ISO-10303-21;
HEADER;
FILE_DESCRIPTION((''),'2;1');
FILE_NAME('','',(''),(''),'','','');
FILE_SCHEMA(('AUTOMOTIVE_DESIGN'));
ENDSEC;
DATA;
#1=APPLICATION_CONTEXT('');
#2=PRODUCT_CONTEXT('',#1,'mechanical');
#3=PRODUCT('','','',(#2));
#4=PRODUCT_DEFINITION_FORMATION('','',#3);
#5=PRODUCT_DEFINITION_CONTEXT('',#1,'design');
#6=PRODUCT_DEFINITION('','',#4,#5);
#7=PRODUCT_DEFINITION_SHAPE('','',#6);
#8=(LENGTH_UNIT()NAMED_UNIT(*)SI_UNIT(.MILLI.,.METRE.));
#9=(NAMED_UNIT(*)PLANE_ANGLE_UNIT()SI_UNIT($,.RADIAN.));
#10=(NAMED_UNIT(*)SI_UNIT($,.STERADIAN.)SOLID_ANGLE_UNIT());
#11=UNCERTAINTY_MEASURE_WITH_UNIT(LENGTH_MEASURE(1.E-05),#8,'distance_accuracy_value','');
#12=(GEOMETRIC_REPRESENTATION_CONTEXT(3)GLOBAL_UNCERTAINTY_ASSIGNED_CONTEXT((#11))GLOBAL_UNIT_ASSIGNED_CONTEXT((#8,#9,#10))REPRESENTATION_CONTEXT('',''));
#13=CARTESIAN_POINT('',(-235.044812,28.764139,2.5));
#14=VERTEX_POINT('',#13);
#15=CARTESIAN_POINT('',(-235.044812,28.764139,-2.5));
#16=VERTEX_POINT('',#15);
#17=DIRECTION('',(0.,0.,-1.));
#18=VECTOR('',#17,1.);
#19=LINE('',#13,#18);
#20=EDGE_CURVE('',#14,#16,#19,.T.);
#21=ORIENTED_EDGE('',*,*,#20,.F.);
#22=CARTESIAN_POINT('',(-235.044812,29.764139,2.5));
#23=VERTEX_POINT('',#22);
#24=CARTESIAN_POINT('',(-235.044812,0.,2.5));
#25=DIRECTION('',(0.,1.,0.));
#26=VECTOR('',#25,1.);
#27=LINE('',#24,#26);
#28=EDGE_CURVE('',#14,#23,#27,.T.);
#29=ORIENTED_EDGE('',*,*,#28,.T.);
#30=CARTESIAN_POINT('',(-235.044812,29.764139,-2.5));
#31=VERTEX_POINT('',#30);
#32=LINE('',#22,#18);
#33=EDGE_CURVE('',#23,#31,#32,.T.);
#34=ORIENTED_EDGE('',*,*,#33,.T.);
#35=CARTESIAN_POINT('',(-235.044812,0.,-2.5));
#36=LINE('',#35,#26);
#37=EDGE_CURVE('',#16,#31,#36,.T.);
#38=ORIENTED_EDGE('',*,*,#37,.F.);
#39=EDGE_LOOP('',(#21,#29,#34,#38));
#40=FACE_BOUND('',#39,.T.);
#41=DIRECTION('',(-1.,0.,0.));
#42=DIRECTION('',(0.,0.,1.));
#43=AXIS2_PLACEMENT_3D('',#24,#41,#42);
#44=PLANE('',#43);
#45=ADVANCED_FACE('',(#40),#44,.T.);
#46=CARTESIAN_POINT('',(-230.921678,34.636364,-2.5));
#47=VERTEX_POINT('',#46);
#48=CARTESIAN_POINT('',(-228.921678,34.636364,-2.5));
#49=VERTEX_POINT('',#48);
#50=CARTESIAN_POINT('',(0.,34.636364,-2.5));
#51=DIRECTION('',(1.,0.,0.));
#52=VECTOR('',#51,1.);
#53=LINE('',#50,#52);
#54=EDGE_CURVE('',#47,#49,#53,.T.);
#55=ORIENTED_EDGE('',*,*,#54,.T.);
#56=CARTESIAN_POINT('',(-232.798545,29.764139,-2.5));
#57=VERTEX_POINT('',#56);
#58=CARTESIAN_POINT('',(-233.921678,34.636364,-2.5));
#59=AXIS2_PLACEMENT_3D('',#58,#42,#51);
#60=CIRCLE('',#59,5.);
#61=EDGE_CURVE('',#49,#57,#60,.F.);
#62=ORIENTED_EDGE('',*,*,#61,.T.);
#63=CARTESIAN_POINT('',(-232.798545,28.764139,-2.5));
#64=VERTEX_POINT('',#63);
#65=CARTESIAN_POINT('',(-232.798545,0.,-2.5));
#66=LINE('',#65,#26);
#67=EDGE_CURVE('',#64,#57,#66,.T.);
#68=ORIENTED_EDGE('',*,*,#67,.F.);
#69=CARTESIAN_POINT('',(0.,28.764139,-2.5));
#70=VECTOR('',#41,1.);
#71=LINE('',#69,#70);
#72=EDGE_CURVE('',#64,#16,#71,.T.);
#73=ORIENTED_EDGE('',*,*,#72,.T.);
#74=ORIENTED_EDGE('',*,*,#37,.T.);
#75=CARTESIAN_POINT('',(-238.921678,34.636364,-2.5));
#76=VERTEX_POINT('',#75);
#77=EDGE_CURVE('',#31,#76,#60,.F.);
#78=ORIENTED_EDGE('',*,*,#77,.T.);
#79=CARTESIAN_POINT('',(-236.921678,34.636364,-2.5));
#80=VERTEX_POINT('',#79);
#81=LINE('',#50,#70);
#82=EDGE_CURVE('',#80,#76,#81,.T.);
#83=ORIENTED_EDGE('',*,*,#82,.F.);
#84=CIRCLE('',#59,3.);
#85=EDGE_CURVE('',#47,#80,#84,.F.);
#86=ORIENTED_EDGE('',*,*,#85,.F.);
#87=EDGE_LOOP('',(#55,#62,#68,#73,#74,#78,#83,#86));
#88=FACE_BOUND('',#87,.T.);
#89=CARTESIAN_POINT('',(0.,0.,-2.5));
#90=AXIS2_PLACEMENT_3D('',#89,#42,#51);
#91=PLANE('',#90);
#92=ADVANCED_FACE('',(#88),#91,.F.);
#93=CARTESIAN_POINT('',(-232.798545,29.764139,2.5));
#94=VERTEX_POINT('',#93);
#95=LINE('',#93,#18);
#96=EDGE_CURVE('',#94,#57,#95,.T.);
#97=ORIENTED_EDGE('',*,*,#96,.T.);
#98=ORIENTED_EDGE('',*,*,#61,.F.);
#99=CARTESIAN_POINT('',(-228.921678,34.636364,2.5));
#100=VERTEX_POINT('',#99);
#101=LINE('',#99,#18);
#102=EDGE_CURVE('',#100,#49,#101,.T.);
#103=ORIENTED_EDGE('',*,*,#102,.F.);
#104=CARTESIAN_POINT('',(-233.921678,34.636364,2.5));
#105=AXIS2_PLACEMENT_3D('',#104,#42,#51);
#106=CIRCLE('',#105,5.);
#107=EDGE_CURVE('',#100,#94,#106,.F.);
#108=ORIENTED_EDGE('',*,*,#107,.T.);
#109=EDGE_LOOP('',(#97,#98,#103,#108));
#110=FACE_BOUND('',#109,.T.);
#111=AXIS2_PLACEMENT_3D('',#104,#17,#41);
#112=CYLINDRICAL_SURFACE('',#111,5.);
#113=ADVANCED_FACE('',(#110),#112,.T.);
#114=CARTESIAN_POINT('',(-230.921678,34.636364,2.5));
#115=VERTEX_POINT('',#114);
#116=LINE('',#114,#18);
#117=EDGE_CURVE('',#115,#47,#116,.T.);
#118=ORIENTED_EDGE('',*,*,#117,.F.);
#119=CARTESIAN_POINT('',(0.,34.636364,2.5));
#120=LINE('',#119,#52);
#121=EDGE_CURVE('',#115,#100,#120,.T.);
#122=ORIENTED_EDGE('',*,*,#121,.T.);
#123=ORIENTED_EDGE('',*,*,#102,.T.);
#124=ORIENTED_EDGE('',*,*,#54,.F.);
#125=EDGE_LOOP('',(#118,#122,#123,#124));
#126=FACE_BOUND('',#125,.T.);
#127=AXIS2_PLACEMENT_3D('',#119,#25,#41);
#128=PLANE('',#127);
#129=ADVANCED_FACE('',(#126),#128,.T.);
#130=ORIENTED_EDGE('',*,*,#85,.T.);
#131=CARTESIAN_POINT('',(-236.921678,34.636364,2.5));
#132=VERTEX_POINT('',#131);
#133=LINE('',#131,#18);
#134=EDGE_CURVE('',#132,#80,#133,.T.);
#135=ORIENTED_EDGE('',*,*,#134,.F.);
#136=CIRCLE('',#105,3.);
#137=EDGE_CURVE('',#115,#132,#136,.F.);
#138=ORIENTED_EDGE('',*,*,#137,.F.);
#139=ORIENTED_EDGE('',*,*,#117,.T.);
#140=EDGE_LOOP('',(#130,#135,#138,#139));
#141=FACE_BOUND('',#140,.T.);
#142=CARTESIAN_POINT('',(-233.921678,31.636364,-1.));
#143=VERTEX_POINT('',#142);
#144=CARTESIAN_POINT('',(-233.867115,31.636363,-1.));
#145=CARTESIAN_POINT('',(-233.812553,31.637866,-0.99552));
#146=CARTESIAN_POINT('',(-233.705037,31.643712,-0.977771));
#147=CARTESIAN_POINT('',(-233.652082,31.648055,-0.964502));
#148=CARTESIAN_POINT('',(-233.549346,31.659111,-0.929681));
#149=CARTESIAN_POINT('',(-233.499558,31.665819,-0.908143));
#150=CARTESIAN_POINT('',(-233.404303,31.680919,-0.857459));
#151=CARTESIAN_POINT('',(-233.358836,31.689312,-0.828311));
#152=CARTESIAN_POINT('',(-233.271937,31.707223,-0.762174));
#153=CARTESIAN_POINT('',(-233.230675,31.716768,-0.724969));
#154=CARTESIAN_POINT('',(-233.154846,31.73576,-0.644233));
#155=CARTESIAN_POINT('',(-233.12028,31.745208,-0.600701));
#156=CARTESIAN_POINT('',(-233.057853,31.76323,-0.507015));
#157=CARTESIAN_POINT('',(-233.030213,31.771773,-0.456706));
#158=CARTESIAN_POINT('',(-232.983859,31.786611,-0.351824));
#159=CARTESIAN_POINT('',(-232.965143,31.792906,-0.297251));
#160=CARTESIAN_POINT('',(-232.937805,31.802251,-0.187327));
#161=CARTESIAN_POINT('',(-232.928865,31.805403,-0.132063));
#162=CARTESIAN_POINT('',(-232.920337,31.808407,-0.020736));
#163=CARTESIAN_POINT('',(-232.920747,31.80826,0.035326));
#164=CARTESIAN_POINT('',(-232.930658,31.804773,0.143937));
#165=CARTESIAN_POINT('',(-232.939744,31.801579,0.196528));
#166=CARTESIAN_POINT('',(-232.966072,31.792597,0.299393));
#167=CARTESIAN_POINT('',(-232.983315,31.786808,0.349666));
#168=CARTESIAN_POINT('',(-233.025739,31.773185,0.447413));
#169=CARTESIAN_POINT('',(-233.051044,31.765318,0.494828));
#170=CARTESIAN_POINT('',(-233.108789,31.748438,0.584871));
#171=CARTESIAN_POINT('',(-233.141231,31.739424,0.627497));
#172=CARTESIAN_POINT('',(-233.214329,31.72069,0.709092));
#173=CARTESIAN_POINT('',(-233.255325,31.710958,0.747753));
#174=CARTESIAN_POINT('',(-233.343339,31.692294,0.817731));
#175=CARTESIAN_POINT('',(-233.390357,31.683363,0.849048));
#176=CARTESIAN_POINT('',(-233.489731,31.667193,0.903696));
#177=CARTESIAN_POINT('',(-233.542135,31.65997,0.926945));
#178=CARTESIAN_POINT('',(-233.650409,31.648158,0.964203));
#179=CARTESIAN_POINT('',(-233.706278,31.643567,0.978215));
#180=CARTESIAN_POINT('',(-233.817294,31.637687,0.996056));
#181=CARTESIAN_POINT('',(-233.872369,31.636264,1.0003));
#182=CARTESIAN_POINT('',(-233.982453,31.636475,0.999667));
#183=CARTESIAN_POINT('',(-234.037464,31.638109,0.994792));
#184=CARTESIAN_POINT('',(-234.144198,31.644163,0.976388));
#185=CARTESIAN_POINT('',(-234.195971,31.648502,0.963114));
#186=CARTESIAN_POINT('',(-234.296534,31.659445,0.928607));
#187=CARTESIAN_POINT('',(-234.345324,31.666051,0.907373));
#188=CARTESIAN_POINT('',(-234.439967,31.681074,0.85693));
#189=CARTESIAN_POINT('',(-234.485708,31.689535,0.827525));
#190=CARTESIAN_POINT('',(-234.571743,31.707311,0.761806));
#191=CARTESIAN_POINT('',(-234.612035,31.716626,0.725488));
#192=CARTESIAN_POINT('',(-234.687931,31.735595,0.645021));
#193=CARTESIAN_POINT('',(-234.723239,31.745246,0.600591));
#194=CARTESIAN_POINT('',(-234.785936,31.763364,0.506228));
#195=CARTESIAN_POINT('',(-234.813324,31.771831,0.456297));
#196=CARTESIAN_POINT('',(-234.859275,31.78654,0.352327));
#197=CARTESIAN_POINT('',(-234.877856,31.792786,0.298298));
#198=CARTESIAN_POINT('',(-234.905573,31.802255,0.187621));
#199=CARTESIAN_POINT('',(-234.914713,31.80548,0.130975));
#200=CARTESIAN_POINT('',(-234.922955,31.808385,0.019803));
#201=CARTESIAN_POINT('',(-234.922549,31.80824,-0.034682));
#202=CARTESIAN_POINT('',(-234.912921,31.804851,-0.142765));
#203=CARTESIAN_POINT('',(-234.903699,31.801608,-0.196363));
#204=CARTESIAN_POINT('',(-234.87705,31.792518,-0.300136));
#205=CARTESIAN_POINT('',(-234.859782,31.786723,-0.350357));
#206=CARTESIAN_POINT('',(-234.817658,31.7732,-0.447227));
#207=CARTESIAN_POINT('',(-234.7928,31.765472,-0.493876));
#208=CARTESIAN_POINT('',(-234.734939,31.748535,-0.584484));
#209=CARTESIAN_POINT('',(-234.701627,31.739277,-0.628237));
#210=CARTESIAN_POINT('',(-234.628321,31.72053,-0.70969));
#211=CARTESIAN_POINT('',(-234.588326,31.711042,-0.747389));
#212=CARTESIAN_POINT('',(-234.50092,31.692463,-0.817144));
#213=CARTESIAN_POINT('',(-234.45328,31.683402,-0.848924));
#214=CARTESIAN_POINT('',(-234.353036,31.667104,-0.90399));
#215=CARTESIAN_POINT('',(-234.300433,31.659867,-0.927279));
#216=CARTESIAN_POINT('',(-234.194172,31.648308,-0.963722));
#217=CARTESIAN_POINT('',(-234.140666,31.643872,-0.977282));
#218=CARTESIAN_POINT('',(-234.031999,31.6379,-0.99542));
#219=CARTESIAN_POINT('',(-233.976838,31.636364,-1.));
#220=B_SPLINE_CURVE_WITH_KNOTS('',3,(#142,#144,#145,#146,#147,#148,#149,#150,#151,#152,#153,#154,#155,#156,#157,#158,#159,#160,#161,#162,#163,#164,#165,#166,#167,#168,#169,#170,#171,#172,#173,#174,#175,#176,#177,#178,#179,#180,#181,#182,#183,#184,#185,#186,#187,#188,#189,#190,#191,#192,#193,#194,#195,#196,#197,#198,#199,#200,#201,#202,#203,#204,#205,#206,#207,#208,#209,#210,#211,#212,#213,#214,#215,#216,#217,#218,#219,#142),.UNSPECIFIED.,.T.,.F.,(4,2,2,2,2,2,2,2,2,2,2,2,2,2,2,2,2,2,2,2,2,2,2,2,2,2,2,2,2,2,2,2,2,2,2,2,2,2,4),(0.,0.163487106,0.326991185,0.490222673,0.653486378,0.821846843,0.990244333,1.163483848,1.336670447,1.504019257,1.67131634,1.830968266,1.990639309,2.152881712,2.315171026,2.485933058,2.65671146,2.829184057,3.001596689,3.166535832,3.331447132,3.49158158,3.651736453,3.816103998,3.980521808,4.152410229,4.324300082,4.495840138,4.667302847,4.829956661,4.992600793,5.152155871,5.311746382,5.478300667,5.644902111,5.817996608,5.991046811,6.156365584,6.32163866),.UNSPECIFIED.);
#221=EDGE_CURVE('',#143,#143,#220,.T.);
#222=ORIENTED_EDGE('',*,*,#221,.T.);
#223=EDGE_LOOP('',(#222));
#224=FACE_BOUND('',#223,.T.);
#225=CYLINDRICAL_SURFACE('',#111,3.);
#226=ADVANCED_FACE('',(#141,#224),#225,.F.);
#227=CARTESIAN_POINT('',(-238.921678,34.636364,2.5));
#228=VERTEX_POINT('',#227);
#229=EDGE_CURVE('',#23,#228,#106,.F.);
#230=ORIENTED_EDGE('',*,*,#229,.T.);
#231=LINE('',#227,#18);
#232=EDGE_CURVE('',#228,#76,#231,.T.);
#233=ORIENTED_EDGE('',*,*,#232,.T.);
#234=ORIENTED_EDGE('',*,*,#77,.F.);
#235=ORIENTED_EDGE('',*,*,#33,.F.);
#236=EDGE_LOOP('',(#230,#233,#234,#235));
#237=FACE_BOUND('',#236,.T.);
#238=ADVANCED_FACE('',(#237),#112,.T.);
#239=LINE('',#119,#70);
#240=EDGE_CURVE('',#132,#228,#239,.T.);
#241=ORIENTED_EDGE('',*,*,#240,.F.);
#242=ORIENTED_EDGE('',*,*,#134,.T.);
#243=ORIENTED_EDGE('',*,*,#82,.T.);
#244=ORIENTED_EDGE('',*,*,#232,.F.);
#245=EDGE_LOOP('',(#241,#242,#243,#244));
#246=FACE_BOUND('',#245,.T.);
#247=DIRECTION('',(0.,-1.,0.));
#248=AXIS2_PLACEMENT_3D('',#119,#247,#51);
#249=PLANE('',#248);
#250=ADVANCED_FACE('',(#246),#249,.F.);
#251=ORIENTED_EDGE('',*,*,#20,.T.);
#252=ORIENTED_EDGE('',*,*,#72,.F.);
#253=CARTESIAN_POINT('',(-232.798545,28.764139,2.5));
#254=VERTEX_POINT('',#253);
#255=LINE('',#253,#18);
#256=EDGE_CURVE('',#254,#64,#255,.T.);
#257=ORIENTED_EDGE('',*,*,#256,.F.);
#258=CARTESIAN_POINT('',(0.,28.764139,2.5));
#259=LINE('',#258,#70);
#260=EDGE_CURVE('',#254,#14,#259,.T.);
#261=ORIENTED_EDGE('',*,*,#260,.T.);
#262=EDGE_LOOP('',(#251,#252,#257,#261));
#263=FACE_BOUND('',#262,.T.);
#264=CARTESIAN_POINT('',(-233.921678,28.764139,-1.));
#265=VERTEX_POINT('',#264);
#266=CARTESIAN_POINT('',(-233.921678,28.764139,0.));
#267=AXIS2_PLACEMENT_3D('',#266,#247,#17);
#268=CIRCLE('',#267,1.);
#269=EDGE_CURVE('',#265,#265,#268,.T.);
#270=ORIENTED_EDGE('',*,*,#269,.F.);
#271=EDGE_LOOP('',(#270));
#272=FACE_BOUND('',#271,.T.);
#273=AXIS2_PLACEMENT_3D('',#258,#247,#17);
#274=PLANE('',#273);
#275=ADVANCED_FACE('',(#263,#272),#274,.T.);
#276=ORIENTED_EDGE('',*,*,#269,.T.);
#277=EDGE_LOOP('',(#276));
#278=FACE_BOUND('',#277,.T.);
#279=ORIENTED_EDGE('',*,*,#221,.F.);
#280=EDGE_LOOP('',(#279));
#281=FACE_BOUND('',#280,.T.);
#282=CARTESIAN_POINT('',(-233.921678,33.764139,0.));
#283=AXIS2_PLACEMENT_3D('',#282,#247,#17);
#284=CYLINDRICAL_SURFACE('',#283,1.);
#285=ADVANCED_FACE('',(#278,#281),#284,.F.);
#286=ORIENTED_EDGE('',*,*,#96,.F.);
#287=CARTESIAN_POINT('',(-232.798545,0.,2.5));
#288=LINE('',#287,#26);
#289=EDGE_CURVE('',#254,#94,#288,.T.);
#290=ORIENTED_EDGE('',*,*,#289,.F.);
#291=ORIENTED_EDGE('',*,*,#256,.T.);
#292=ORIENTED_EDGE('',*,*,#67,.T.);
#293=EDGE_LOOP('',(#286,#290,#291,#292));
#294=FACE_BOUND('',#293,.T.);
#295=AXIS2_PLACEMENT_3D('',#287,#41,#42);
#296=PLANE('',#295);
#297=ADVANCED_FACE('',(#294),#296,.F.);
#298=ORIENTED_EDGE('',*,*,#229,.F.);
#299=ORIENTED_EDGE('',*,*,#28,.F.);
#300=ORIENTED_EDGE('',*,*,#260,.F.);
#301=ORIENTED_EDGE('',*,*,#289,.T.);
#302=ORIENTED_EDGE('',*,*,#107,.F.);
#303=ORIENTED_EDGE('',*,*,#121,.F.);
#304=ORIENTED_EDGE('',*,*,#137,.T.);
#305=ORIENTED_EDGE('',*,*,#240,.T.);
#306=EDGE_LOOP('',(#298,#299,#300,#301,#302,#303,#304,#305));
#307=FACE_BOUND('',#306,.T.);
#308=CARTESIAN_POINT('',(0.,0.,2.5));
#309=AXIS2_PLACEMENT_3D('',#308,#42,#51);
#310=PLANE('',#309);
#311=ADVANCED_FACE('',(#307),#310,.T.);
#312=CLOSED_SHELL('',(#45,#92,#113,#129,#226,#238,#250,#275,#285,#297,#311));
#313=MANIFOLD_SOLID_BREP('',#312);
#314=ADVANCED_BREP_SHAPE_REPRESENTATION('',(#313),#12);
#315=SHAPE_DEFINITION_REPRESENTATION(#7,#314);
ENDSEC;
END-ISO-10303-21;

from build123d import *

# Parameters (mm, degrees)
BOSS_EXTRUDE1_DEPTH = 2.5
SKETCH3_R           = 1
CUT_EXTRUDE1_DEPTH  = 5


with BuildPart() as part:
    # Sketch1 → Boss-Extrude1 (new, symmetric)
    with BuildSketch(Plane.XY):
        with BuildLine():
            ThreePointArc((-230.921678322, 34.636363636), (-231.800357978, 32.515043293), (-233.921678322, 31.636363636))
            Line((-233.921678322, 31.636363636), (-233.921678322, 29.636363636))
            ThreePointArc((-233.921678322, 29.636363636), (-233.356489225, 29.668410206), (-232.798545076, 29.764139123))
            ThreePointArc((-232.798545076, 29.764139123), (-230.009155719, 31.52313912), (-228.921678322, 34.636363636))
            Line((-228.921678322, 34.636363636), (-230.921678322, 34.636363636))
        make_face()
        with BuildLine():
            ThreePointArc((-233.921678322, 31.636363636), (-236.042998665, 32.515043293), (-236.921678322, 34.636363636))
            Line((-236.921678322, 34.636363636), (-238.921678322, 34.636363636))
            ThreePointArc((-238.921678322, 34.636363636), (-237.834200924, 31.52313912), (-235.044811567, 29.764139123))
            ThreePointArc((-235.044811567, 29.764139123), (-234.486867419, 29.668410206), (-233.921678322, 29.636363636))
            Line((-233.921678322, 29.636363636), (-233.921678322, 31.636363636))
        make_face()
        with BuildLine():
            ThreePointArc((-232.798545076, 29.764139123), (-233.356489225, 29.668410206), (-233.921678322, 29.636363636))
            Line((-233.921678322, 29.636363636), (-233.921678322, 28.764139123))
            Line((-233.921678322, 28.764139123), (-232.798545076, 28.764139123))
            Line((-232.798545076, 28.764139123), (-232.798545076, 29.764139123))
        make_face()
        with BuildLine():
            ThreePointArc((-233.921678322, 29.636363636), (-234.486867419, 29.668410206), (-235.044811567, 29.764139123))
            Line((-235.044811567, 29.764139123), (-235.044811567, 28.764139123))
            Line((-235.044811567, 28.764139123), (-233.921678322, 28.764139123))
            Line((-233.921678322, 28.764139123), (-233.921678322, 29.636363636))
        make_face()
    extrude(amount=BOSS_EXTRUDE1_DEPTH, both=True)

    # Sketch3 → Cut-Extrude1 (cut)
    with BuildSketch(Plane.XZ.offset(-28.764139123)):
        with Locations(Location((-233.921678322, 0, 0), (0, 0, 270))):
            Circle(SKETCH3_R)
    extrude(amount=-CUT_EXTRUDE1_DEPTH, mode=Mode.SUBTRACT)


solid = part.part
